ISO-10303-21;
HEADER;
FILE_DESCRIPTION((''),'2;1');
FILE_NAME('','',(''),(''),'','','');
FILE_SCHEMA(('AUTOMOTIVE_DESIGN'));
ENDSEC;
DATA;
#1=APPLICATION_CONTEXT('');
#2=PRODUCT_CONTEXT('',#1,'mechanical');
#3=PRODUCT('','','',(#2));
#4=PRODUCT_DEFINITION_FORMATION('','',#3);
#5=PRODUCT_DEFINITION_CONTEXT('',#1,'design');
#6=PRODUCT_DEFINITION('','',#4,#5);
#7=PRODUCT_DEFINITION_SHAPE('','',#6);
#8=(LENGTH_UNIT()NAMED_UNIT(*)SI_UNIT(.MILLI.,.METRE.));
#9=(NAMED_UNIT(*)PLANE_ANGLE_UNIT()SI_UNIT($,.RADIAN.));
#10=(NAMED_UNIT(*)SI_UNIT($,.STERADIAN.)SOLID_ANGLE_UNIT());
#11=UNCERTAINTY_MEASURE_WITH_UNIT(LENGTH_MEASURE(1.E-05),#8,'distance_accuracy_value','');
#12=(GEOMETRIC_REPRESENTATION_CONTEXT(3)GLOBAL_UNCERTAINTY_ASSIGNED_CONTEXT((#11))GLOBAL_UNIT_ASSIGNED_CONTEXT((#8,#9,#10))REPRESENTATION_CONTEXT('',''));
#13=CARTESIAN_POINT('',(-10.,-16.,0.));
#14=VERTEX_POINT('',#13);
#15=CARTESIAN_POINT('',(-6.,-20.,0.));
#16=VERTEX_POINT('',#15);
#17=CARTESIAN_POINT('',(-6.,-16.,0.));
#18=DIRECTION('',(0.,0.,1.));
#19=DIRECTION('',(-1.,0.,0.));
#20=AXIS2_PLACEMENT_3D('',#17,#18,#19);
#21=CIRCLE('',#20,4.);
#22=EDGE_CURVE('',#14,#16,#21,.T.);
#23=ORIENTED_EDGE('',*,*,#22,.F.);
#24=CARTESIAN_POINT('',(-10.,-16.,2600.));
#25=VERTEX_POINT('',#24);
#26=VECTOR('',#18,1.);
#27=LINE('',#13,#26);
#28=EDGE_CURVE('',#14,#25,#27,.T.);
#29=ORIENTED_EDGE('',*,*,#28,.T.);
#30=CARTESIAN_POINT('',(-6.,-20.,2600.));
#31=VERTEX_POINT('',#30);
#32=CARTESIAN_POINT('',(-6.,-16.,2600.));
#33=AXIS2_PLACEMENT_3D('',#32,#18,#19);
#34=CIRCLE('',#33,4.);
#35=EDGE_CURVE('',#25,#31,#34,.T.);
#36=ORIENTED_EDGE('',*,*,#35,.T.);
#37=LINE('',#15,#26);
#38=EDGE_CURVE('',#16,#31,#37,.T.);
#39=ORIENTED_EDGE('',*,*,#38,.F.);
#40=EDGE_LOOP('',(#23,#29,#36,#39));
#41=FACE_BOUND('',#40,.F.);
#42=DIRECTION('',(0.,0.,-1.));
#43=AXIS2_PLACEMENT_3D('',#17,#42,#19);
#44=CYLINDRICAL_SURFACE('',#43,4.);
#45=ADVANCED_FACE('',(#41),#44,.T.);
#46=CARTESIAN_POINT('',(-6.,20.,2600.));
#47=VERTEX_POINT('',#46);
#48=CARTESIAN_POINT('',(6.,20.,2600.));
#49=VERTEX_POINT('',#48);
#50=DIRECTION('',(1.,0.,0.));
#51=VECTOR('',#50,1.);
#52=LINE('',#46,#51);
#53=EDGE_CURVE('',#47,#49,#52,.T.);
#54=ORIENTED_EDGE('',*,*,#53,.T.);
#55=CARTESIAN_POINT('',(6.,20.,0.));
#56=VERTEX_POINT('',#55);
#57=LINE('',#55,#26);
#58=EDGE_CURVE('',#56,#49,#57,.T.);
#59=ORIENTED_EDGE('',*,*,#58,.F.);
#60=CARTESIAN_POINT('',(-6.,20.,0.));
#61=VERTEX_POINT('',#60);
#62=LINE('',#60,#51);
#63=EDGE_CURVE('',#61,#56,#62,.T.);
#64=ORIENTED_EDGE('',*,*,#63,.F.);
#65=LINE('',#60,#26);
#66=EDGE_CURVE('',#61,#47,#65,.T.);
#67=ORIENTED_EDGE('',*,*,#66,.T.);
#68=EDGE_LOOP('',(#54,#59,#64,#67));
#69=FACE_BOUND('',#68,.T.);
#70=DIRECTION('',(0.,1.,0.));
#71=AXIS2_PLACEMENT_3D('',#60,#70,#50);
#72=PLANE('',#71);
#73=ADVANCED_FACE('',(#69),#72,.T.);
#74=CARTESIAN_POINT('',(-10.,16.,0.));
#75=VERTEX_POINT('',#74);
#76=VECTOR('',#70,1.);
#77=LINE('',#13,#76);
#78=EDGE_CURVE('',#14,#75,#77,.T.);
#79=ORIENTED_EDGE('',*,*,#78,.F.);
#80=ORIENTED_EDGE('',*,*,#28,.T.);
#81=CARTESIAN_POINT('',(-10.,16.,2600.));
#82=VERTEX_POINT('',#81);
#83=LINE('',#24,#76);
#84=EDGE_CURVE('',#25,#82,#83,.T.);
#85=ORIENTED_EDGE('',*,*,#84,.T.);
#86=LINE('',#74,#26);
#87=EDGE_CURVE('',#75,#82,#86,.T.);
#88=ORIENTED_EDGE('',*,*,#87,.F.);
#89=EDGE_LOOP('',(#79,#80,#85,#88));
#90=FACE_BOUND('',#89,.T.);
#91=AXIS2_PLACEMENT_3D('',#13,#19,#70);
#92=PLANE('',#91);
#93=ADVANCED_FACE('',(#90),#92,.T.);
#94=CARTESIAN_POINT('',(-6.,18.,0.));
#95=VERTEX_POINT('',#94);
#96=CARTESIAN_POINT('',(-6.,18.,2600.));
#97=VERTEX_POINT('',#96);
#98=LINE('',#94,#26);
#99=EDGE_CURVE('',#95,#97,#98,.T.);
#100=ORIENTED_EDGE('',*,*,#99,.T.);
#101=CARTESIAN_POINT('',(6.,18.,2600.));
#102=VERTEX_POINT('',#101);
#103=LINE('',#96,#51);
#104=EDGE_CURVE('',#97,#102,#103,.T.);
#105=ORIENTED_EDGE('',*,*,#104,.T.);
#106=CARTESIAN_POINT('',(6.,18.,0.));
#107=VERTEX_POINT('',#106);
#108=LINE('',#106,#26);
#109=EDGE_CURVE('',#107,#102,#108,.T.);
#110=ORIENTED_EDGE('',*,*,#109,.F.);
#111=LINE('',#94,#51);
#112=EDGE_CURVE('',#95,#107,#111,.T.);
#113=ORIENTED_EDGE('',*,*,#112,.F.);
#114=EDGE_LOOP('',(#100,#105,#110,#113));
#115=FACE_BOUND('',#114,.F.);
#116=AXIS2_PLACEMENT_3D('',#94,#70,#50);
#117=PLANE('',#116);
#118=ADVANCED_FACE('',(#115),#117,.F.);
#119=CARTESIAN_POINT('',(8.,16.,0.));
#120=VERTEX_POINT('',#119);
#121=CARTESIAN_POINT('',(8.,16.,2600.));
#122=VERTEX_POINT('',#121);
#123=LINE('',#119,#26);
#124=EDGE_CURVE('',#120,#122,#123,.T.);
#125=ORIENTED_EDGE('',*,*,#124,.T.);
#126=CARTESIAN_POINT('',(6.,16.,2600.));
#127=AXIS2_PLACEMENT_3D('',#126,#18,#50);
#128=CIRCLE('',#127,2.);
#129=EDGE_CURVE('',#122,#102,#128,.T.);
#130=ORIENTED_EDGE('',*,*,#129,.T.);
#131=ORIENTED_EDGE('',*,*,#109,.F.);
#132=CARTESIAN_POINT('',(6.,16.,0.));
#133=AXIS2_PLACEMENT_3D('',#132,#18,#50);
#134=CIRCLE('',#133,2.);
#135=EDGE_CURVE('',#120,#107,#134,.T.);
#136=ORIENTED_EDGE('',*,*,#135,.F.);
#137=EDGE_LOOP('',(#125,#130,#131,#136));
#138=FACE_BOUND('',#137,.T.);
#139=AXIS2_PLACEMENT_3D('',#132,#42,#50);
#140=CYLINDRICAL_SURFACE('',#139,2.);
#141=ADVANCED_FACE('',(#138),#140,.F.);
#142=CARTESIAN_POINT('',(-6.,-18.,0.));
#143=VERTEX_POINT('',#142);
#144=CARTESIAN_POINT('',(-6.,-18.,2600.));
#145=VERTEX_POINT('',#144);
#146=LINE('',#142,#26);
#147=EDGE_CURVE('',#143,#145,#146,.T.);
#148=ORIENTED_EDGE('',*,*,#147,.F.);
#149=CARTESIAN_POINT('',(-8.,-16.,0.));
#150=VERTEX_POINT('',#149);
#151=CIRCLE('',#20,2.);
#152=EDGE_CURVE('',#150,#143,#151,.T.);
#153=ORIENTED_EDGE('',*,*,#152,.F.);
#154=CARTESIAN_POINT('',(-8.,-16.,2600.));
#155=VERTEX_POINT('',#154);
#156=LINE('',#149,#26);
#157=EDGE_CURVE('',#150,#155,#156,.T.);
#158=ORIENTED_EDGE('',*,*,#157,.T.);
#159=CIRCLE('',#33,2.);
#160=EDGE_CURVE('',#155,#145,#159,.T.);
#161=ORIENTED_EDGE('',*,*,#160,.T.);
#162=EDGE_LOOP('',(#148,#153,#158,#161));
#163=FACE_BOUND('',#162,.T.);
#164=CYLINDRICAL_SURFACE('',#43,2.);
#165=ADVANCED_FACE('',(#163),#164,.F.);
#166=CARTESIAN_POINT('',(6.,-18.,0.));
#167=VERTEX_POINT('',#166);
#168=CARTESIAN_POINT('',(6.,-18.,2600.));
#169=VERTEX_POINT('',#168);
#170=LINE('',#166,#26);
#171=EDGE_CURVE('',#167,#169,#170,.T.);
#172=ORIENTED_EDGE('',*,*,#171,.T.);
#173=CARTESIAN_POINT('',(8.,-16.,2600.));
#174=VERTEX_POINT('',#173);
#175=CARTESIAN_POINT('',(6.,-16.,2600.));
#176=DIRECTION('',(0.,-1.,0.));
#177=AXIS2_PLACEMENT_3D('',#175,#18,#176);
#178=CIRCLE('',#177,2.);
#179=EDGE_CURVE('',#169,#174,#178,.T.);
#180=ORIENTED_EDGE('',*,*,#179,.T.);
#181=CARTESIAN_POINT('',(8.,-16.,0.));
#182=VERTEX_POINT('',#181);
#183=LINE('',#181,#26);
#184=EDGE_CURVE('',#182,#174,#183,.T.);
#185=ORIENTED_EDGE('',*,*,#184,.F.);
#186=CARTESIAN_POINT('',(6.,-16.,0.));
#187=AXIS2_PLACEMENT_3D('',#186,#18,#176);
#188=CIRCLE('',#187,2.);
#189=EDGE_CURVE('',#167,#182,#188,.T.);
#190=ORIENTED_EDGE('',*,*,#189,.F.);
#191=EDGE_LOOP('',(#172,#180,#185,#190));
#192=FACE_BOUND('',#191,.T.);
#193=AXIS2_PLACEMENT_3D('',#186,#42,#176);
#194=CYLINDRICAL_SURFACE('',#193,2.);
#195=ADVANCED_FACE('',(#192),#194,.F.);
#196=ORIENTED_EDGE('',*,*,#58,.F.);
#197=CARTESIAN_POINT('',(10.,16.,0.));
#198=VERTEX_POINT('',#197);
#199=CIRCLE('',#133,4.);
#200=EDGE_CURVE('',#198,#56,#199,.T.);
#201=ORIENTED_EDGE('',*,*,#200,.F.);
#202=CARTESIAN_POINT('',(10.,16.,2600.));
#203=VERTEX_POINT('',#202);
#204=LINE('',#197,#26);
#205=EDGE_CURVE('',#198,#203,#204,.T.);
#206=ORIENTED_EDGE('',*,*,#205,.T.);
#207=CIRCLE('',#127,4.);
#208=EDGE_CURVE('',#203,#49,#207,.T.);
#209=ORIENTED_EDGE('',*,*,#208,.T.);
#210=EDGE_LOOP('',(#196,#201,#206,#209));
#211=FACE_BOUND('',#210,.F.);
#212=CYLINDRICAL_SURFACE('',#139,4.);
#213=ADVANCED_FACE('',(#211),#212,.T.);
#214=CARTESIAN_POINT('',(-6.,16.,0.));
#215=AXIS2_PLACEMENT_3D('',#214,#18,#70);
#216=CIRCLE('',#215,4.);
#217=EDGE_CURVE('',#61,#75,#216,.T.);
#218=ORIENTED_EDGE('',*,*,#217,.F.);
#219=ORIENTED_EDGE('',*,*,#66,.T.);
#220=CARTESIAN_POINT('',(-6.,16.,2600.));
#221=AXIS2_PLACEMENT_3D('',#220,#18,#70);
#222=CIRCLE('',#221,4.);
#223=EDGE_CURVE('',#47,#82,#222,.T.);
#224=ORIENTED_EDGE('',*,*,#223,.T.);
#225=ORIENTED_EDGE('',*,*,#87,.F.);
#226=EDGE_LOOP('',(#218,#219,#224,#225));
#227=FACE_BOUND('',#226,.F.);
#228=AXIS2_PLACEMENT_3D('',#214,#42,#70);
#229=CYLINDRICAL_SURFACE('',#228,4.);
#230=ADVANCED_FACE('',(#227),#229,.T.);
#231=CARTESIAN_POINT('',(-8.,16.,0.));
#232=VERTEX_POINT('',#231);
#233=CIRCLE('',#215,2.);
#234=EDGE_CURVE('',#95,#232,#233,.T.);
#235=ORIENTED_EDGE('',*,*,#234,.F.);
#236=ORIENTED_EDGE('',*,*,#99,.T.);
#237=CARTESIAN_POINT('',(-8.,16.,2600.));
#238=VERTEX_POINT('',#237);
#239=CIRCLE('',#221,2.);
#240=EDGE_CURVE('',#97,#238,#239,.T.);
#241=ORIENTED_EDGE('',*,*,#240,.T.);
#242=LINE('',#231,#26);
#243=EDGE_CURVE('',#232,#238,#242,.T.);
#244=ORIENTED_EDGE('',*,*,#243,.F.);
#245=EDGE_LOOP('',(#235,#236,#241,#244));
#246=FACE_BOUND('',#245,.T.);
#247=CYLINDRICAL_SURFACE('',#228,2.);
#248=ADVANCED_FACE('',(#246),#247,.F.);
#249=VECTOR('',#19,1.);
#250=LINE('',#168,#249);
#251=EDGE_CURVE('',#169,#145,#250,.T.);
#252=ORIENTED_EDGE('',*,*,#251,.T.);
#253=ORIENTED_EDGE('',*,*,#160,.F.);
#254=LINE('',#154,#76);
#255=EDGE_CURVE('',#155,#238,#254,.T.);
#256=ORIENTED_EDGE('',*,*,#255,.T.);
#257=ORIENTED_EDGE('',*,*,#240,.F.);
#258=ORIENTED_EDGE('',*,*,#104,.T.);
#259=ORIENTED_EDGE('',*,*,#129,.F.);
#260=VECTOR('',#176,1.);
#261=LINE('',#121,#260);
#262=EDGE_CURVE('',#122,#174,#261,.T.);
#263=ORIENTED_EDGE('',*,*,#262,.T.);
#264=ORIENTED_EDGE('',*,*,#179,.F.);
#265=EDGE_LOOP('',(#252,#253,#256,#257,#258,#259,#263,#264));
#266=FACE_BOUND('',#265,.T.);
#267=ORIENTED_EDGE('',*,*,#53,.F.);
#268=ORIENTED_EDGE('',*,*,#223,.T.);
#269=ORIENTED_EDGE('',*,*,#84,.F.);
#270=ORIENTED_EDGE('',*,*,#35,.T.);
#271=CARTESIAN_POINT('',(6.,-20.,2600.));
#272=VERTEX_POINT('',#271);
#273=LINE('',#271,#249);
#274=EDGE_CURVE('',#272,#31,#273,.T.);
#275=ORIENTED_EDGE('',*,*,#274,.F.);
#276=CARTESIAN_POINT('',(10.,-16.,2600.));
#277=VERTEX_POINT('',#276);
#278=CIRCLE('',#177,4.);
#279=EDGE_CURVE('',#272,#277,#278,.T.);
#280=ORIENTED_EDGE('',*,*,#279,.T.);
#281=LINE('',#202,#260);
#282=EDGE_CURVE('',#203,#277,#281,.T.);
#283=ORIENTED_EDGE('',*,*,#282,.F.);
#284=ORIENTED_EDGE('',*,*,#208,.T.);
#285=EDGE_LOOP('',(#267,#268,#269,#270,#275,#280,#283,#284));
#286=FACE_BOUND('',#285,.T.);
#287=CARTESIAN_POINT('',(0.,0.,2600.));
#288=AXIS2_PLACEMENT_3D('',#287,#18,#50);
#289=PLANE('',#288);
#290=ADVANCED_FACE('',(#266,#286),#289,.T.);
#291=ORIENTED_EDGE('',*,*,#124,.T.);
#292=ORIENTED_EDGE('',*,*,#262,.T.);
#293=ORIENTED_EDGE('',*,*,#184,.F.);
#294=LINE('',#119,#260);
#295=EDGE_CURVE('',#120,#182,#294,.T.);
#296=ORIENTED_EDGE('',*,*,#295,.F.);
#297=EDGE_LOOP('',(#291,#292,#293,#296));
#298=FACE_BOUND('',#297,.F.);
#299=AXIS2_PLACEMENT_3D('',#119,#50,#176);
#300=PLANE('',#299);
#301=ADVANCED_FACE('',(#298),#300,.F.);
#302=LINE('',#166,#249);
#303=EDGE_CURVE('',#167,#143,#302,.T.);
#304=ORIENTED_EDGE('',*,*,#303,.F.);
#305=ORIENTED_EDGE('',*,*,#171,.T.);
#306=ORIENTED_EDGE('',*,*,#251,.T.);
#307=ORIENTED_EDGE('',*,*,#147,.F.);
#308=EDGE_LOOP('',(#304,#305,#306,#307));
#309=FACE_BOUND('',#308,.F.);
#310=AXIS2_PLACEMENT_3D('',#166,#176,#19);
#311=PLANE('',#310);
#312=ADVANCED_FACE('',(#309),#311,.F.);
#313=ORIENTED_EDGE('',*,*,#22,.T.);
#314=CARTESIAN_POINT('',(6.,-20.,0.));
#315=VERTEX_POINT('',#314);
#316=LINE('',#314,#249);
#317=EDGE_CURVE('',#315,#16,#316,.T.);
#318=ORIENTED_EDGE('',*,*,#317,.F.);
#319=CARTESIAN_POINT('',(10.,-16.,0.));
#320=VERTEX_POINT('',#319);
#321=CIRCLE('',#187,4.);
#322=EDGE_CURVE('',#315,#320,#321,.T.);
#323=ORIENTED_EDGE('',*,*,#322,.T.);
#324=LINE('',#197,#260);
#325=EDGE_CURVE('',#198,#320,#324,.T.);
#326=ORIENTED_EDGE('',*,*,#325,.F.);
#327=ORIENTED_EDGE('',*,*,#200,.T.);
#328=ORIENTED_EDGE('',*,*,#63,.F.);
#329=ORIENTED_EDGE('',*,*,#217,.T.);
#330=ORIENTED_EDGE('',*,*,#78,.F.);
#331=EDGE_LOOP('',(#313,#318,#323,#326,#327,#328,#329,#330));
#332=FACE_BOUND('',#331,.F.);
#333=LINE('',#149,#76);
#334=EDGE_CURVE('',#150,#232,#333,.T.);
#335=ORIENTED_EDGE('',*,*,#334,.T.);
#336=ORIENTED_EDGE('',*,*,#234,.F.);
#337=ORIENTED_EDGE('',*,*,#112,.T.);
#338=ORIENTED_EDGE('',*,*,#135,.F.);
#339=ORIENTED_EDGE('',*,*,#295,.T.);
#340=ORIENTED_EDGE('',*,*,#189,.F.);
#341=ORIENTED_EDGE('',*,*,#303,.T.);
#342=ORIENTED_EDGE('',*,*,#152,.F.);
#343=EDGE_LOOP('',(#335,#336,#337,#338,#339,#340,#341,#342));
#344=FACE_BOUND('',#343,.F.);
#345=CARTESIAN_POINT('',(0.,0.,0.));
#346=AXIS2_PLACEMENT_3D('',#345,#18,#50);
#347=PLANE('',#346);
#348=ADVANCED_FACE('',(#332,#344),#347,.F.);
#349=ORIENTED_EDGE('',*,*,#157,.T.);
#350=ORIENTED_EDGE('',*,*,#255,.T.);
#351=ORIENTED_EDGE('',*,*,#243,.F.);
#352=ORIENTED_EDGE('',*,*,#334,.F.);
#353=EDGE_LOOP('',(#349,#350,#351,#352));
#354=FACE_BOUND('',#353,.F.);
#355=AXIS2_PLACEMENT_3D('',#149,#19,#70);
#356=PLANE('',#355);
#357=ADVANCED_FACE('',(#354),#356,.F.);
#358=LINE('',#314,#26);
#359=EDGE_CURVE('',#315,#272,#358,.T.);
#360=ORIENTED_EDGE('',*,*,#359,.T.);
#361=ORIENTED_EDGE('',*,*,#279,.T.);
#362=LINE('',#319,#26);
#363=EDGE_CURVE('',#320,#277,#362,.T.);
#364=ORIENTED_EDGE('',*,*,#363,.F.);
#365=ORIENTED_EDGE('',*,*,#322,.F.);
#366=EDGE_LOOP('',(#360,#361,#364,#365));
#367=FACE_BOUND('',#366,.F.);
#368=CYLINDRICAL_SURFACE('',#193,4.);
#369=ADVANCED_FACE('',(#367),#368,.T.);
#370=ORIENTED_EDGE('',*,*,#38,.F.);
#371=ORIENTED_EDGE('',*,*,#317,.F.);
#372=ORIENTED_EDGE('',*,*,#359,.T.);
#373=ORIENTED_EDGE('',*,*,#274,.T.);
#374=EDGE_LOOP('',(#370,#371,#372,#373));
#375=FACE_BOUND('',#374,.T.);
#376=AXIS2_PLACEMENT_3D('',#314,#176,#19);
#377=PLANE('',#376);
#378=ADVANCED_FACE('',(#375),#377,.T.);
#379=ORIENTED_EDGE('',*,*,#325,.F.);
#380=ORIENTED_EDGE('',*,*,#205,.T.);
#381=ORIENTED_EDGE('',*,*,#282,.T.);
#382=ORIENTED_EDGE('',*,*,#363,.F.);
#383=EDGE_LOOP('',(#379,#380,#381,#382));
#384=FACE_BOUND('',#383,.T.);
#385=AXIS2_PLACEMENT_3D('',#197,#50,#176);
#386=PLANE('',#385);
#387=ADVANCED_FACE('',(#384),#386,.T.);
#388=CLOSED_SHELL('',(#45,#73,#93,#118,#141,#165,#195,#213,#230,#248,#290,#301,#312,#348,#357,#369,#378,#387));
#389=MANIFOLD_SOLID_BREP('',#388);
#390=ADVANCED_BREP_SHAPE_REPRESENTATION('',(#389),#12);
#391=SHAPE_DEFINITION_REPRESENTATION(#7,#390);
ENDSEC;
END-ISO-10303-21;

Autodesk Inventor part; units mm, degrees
ref_plane "YZ Plane" through (0, 0, 0) normal (1, 0, 0) x (0, 1, 0)
ref_plane "Start plane" through (0, 0, 0) normal (0, 0, 1) x (1, 0, 0)
ref_plane "End plane" through (0, 0, 2600) normal (0, 0, 1) x (1, 0, 0)
sketch "Sketch" plane through (0, 0, 0) normal (0, 0, 1) x (1, 0, 0)
  line L0 (-10, -16) -> (-10, 16)
  line L1 (-6, 20) -> (6, 20)
  line L2 (10, 16) -> (10, -16)
  line L3 (6, -20) -> (-6, -20)
  arc A0 (-10, -16) -> (-6, -20) centre (-6, -16) ccw
  arc A1 (10, 16) -> (6, 20) centre (6, 16) ccw
  arc A2 (-6, 20) -> (-10, 16) centre (-6, 16) ccw
  arc A3 (6, -20) -> (10, -16) centre (6, -16) ccw
  arc A4 (-6, 18) -> (-8, 16) centre (-6, 16) ccw
  line L4 (-6, 18) -> (6, 18)
  arc A5 (8, 16) -> (6, 18) centre (6, 16) ccw
  line L5 (8, 16) -> (8, -16)
  arc A6 (6, -18) -> (8, -16) centre (6, -16) ccw
  line L6 (6, -18) -> (-6, -18)
  arc A7 (-8, -16) -> (-6, -18) centre (-6, -16) ccw
  line L7 (-8, -16) -> (-8, 16)
  line L8 (0, 37.1021) -> (0, -37.1021) construction
  line L9 (-23.1021, 0) -> (23.1021, 0) construction
  dimension "d7" = 4
  dimension "d9" = 20
  dimension "d11" = 40
  dimension "d12" = 2
  dimension "d15" = 10
  dimension "d16" = 20
extrude "Body" add sketch "Sketch" along normal up to surface (2600 mm away) from surface at 0
sketch "Sketch3" plane through (0, 0, 0) normal (0, 0, 1) x (1, 0, 0)
  line L0 (0, 0) -> (10, 0)
ref_plane "Work Plane3" through (0, 0, 0) normal (0, -1, 0) x (1, 0, 0)
ref_plane "Work Plane4" through (4294.7542, -381.1194, 3164.8652) normal (0, 1, 0) x (-1, 0, 0)
sketch "Sketch5" plane through (4294.7542, -381.1194, 3164.8652) normal (0, 1, 0) x (-1, 0, 0)
  point P0 (4294.7542, -3164.8652)
sketch "Sketch4" plane through (0, 0, 0) normal (0, -1, 0) x (1, 0, 0)
  line L0 (-2, 0) -> (12, 0) projected
  line L1 (-2, 2600) -> (12, 2600) projected
  dimension "d18" = 2600
equation "\"d7\" = G_IR"
equation "\"d9\" = G_W"
equation "\"d11\" = G_H"
equation "\"d12\" = G_T"
equation "\"d15\" = 0.5 * d9"
equation "\"d16\" = 0.5 * d11"
equation "\"d3\" = G_L"
equation "\"G_W\" = 20"
equation "\"G_H\" = 40"
equation "\"G_T\" = 2"
equation "\"G_IR\" = 4"
equation "\"G_L\" = d18"
equation "\"G_OFFSET_START\" = 0"
equation "\"G_OFFSET_END\" = 0"
properties part number "ISO 10799-2 - 40x20x2 - 2600" material "Steel, Mild"
